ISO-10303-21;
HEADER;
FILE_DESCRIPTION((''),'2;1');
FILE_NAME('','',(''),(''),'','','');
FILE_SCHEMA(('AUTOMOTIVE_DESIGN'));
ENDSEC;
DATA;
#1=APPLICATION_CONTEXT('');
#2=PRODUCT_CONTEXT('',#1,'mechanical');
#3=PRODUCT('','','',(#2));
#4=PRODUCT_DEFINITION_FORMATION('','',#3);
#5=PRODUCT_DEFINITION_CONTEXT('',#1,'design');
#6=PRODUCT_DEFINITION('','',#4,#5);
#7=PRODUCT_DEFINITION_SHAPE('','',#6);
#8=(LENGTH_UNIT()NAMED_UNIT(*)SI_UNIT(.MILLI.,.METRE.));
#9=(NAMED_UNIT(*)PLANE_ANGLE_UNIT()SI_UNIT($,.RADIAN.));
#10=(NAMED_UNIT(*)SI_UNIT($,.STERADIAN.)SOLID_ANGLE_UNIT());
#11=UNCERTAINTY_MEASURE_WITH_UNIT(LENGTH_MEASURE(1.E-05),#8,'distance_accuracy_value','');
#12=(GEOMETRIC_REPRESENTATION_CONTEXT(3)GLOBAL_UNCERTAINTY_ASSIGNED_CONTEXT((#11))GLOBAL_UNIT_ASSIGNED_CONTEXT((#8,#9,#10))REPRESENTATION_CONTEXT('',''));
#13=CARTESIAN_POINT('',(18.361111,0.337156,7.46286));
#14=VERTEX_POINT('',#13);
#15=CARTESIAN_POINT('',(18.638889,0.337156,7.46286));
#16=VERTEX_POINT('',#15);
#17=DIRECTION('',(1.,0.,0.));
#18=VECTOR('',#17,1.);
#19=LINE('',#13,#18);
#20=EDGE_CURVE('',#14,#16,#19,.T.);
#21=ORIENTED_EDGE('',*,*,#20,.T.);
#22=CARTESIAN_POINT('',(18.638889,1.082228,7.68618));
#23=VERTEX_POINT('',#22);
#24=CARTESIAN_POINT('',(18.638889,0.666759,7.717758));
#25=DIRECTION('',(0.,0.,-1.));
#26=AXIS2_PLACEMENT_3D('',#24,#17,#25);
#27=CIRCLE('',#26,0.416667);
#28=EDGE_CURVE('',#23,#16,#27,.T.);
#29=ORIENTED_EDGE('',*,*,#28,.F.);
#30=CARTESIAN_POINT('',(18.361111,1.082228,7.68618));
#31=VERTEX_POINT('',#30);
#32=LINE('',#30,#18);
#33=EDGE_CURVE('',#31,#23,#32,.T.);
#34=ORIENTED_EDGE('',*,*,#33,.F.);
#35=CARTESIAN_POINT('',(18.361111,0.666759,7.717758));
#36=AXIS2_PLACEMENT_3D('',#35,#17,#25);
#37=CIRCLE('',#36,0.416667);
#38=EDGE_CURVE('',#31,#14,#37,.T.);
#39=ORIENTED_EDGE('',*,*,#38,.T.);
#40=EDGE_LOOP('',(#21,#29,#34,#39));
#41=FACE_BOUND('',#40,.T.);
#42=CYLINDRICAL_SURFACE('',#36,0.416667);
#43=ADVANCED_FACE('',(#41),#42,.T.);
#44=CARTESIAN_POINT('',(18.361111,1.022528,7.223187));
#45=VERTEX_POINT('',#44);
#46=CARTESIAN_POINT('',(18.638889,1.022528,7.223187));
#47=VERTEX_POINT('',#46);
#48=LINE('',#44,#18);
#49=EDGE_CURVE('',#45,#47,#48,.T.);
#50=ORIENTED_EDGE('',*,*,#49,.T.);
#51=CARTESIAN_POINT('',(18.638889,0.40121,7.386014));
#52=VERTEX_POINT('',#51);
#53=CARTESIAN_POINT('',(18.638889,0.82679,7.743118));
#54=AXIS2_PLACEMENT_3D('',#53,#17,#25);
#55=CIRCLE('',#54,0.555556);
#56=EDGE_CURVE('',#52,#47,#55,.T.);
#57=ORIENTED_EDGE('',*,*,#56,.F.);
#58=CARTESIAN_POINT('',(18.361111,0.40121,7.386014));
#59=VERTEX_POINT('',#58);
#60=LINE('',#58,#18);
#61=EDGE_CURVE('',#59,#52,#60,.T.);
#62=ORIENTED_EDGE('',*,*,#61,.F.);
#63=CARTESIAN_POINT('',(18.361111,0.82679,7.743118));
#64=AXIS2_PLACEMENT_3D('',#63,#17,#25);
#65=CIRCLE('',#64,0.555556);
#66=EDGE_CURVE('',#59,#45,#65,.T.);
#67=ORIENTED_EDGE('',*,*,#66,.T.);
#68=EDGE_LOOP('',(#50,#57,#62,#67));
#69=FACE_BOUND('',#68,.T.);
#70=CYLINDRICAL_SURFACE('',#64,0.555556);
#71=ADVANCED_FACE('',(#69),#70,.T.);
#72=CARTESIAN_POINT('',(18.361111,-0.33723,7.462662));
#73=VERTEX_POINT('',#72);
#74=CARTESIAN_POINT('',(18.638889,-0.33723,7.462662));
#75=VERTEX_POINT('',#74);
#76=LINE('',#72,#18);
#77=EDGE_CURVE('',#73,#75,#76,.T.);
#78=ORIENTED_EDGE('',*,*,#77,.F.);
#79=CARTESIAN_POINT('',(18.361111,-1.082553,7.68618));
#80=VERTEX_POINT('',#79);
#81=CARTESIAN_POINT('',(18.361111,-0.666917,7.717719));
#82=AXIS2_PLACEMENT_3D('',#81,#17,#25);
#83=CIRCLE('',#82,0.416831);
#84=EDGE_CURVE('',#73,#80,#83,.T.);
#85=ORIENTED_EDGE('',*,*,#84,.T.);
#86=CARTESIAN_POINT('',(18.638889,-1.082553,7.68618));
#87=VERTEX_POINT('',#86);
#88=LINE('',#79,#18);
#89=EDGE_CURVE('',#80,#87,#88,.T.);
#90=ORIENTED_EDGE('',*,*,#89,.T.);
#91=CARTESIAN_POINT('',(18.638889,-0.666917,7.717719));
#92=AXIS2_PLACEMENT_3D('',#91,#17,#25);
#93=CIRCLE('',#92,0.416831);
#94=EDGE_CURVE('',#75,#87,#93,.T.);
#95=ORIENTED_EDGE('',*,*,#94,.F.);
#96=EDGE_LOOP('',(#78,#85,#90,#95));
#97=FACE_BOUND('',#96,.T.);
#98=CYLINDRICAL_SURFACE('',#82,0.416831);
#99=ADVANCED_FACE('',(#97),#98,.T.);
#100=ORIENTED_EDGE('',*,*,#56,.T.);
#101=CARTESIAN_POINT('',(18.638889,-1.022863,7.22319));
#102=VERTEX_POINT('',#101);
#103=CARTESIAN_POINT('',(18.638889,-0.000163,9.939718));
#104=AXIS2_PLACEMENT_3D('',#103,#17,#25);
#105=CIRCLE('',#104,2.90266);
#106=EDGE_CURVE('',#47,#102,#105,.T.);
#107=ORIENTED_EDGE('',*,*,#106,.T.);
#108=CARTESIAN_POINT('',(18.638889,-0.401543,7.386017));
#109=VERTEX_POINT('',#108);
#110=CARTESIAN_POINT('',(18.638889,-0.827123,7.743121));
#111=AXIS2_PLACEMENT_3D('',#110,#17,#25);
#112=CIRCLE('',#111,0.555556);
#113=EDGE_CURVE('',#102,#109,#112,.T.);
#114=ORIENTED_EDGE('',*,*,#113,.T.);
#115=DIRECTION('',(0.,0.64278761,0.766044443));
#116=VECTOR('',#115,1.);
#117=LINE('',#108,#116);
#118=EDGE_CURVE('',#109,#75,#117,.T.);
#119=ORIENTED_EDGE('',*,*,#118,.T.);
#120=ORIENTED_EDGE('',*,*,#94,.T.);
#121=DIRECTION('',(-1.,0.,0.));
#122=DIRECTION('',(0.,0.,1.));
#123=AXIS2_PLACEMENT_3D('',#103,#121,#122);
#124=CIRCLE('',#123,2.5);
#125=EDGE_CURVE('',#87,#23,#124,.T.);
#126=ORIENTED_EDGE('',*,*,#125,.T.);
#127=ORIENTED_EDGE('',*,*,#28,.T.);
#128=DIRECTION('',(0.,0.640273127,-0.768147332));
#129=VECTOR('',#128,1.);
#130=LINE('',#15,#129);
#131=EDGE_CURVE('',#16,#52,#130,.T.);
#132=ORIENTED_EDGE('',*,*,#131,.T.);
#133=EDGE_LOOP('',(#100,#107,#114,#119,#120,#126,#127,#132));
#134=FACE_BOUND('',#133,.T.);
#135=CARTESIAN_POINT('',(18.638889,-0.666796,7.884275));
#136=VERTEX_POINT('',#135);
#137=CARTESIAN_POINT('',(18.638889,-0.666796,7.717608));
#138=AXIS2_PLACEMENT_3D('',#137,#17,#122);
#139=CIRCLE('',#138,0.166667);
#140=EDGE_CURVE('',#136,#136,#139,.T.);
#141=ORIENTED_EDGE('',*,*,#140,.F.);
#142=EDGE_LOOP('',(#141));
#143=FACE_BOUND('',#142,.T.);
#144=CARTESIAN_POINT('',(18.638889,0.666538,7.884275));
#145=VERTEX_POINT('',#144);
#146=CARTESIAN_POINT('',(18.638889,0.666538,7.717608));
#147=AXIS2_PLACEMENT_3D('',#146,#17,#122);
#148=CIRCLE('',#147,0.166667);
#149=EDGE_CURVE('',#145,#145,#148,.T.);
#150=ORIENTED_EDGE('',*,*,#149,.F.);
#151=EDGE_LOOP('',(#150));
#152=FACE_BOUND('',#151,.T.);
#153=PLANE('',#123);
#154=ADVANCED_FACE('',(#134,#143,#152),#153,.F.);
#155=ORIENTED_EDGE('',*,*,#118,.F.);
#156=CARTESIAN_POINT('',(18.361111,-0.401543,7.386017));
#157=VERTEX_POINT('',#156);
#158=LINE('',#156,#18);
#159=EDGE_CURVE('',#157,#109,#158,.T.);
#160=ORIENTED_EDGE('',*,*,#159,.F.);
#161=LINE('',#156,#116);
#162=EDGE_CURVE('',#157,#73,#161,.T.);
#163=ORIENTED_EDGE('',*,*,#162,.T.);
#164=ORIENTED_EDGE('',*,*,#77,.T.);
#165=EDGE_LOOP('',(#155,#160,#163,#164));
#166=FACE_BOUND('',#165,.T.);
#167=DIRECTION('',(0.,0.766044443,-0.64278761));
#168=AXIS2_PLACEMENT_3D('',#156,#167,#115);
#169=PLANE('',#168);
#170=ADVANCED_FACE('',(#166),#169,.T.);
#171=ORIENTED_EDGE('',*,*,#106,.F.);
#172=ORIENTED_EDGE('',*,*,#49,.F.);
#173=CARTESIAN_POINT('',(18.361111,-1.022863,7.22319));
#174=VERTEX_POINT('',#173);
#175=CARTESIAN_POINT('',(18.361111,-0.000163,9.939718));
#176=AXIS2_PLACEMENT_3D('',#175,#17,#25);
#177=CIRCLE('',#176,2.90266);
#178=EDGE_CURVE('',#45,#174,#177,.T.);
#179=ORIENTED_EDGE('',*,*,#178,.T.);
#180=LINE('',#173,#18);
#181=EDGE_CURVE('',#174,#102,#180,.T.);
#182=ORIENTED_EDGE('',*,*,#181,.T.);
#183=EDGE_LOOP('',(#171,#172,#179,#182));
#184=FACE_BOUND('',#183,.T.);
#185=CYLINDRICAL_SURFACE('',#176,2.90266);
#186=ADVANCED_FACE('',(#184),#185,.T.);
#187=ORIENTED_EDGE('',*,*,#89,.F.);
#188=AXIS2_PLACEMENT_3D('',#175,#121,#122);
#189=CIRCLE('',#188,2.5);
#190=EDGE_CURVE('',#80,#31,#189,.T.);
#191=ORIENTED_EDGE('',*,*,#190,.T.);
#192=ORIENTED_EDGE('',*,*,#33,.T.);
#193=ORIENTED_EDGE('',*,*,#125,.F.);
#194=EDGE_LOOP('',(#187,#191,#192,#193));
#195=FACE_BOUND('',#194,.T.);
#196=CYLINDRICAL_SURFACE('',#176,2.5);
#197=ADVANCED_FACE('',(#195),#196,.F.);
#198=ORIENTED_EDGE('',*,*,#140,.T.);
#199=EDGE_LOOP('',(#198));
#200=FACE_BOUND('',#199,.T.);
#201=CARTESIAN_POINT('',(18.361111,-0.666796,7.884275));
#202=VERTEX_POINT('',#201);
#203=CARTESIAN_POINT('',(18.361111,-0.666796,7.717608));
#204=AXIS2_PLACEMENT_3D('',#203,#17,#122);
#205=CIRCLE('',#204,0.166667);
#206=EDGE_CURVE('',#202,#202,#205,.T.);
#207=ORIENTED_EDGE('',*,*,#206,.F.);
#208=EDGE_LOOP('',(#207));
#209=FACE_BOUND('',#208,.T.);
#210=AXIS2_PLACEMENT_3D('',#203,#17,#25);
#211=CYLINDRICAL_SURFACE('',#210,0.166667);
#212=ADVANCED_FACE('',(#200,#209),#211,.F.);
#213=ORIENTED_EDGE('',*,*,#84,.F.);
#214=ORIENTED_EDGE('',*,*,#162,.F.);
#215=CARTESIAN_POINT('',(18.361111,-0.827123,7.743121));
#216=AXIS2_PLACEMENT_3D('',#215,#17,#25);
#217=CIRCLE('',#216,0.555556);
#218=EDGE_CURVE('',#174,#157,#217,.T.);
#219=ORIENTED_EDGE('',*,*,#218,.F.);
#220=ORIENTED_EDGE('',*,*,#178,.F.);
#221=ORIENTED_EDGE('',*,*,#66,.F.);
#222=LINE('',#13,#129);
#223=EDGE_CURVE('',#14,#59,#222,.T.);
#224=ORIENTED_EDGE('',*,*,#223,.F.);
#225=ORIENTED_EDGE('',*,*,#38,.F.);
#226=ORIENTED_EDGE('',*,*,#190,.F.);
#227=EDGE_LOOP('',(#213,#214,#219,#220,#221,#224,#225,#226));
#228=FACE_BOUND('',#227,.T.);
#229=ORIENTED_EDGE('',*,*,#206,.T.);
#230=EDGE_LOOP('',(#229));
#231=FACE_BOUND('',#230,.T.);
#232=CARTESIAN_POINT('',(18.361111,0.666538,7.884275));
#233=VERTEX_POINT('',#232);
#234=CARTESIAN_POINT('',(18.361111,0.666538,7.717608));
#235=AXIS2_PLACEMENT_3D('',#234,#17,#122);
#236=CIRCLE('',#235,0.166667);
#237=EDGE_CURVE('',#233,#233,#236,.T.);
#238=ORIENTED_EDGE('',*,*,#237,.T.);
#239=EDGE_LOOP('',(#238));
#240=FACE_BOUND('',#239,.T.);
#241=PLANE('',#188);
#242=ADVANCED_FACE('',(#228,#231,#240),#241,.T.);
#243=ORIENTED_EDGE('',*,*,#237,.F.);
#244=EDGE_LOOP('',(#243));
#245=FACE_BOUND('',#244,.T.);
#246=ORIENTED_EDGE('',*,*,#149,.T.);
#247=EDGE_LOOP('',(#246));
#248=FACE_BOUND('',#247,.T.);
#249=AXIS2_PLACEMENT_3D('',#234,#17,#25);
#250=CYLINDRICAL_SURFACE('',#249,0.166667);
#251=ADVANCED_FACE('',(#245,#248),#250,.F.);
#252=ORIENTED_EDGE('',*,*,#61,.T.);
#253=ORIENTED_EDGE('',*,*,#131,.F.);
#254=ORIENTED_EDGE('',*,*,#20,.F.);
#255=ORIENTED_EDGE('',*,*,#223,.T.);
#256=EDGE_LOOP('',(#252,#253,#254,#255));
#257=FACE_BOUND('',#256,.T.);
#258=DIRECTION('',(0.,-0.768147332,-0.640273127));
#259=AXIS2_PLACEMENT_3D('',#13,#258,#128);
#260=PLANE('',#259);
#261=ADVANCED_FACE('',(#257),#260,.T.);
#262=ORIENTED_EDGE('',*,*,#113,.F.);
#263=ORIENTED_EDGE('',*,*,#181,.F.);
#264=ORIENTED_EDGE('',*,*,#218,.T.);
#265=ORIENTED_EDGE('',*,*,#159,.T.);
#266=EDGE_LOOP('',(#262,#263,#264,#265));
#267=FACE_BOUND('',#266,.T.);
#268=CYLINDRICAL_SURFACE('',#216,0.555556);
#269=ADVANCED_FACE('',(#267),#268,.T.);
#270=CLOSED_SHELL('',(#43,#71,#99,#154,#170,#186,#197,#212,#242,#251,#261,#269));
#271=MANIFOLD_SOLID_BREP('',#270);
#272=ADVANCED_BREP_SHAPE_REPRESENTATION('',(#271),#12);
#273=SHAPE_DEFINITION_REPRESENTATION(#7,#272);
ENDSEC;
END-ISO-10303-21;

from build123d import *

# Parameters (mm, degrees)
SKETCH1_R           = 0.6
BOSS_EXTRUDE1_DEPTH = 1
SCALE1_SCALE        = 0.222222222
SCALE2_SCALE        = 1.25


with BuildPart() as part:
    # Sketch1 → Boss-Extrude1 (new body)
    with BuildSketch(Plane(origin=(19, 0, 0), x_dir=(0, 0, -1), z_dir=(1, 0, 0))):
        with BuildLine():
            Line((-1.082906578, 1.214226965), (-0.806260325, 1.444819657))
            ThreePointArc((-0.806260325, 1.444819657), (-0.157167996, 2.46989624), (-0.220083072, 3.681566388))
            ThreePointArc((-0.220083072, 3.681566388), (-20.449170804, -0.000103807), (-0.220095755, -3.681843689))
            ThreePointArc((-0.220095755, -3.681843689), (-0.157177378, -2.470170425), (-0.806270581, -1.44509051))
            Line((-0.806270581, -1.44509051), (-1.082193901, -1.213563353))
            ThreePointArc((-1.082193901, -1.213563353), (-3.437745717, -1.969386585), (-1.886859109, -3.896727719))
            ThreePointArc((-1.886859109, -3.896727719), (-18.999593972, -0.000121806), (-1.886859109, 3.896484108))
            ThreePointArc((-1.886859109, 3.896484108), (-3.437385157, 1.97013231), (-1.082906578, 1.214226965))
        make_face()
        with Locations((-2.00000003, -2.4)):
            Circle(SKETCH1_R, mode=Mode.SUBTRACT)
        with Locations((-2.00000003, 2.4)):
            Circle(SKETCH1_R, mode=Mode.SUBTRACT)
    extrude(amount=-BOSS_EXTRUDE1_DEPTH)


with BuildPart() as part_1:
    # Scale1: scaled about (18.5, -0.000178585, 9.916688181)
    add(part.part.scale(SCALE1_SCALE).moved(Location((14.388888889, -0.000138899, 7.712979696))))


with BuildPart() as part_2:
    # Scale2: scaled about (18.5, -0.000178585, 9.916688181)
    add(part_1.part.scale(SCALE2_SCALE).moved(Location((-4.625, 4.4646e-05, -2.479172045))))


solid = part_2.part
